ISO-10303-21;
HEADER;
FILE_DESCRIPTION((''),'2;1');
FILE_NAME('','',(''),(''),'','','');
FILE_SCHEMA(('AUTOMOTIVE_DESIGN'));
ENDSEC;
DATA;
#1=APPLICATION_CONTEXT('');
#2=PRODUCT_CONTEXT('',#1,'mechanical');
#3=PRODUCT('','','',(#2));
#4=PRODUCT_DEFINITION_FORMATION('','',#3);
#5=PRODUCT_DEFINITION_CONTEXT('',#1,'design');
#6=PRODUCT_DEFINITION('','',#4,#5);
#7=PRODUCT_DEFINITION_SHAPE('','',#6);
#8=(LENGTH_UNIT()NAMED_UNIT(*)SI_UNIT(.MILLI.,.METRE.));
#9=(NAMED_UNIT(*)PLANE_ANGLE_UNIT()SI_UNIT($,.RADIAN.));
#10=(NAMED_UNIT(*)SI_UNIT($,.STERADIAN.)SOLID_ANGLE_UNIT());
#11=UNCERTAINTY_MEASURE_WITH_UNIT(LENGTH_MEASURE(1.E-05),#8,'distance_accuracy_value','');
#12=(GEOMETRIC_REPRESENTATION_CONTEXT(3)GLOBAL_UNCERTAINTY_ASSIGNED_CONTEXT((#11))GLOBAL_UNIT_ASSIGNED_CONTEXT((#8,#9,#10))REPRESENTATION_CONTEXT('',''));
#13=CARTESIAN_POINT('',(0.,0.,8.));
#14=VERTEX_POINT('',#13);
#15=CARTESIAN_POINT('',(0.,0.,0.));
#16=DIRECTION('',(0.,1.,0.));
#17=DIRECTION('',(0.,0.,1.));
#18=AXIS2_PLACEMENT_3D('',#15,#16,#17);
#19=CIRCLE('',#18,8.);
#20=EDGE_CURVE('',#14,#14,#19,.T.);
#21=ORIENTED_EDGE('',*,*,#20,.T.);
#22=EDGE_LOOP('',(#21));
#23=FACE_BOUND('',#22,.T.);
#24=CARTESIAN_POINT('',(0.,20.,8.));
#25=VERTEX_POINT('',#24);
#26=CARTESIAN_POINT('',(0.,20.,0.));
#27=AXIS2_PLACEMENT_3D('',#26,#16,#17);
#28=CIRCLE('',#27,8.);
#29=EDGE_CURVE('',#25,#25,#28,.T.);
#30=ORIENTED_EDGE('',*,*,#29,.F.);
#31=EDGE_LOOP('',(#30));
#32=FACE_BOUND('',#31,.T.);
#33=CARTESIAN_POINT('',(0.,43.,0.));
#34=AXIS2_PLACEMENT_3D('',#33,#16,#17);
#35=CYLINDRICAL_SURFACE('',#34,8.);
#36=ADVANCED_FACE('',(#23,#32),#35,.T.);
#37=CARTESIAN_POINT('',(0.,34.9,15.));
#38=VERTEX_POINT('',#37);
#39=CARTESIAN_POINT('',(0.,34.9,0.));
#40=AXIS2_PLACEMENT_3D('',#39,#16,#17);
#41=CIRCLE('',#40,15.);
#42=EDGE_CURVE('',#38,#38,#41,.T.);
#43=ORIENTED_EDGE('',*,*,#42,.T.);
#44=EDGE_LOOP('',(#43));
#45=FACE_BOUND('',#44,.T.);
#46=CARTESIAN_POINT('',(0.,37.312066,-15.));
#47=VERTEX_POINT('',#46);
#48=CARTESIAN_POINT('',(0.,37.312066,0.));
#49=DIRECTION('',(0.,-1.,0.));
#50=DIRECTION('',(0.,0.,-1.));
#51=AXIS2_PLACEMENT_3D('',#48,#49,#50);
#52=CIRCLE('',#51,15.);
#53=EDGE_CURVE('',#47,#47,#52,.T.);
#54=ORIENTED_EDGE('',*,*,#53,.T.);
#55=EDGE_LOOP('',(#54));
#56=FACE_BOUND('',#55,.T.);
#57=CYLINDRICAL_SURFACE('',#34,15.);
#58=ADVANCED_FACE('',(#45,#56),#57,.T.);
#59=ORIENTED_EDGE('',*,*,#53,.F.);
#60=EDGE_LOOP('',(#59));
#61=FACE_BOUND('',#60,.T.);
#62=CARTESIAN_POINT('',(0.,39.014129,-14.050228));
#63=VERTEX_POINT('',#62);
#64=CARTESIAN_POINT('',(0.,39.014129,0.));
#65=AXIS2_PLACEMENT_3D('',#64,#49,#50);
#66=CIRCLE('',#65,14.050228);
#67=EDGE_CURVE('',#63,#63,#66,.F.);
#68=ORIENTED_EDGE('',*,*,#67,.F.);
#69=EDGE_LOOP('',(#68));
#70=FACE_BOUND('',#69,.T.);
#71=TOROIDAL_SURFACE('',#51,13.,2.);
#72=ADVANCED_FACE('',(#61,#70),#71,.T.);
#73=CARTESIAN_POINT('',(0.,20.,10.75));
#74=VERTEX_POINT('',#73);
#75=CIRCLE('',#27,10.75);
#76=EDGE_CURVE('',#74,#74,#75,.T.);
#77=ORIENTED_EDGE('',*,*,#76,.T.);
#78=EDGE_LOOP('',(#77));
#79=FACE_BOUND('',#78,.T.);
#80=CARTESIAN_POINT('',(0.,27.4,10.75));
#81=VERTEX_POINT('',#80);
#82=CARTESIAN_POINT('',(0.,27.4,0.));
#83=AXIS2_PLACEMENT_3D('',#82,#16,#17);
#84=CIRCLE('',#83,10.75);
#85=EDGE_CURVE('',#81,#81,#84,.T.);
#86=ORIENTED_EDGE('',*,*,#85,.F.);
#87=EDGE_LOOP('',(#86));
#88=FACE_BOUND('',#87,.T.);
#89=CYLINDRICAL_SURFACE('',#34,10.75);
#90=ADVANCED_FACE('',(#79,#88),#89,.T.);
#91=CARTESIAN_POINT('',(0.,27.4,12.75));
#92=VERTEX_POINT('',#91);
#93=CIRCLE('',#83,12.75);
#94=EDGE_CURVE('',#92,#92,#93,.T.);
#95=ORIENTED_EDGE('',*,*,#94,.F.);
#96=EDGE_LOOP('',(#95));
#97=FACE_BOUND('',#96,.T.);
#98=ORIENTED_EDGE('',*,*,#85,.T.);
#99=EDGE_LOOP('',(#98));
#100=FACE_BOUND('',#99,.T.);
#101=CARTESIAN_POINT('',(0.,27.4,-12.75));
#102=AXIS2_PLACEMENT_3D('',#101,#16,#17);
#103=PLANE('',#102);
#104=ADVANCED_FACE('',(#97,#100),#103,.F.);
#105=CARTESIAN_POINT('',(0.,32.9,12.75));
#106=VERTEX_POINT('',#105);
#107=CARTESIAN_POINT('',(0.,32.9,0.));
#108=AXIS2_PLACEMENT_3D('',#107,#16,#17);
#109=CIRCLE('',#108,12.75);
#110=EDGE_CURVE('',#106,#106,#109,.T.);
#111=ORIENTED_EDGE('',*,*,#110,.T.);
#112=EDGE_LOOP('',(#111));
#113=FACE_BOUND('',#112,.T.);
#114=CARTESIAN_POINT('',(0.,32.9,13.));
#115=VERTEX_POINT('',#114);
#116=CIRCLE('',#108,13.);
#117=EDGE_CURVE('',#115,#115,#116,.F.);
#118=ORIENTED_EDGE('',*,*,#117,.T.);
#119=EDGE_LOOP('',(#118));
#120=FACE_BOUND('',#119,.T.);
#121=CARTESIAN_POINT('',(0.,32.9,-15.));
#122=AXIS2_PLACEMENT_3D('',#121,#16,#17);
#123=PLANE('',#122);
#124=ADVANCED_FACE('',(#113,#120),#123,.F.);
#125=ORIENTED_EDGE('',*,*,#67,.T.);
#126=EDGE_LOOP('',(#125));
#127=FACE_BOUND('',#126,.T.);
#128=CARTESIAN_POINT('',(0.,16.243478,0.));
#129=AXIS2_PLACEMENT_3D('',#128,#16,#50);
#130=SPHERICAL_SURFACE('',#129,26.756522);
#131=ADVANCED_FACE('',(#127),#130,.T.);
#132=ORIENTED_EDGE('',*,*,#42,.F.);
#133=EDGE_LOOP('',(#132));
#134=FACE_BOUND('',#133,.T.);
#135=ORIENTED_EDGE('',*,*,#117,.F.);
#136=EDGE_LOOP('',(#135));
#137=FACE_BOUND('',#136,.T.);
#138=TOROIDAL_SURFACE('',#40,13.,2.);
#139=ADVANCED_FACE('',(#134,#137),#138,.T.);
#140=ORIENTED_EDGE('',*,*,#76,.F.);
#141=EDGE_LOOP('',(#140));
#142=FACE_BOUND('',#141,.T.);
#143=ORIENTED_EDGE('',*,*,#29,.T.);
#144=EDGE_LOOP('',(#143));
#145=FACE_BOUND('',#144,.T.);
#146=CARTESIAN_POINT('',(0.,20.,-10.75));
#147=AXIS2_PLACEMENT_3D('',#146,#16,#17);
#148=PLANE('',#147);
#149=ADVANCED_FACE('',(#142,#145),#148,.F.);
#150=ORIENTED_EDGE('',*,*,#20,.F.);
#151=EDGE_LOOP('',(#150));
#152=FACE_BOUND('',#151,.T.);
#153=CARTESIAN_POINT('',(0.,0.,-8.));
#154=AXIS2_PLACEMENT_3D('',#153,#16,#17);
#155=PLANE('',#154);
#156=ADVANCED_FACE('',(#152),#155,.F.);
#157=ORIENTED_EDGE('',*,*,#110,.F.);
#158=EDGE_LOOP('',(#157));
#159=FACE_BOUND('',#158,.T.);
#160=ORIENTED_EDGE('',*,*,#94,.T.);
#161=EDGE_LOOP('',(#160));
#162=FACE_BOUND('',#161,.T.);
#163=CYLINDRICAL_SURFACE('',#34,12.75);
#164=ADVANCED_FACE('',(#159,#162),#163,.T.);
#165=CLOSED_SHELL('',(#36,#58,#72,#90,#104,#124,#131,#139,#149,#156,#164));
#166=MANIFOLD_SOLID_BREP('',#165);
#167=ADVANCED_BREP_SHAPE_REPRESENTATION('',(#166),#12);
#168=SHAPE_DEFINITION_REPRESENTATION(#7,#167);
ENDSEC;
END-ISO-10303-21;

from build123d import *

# Parameters (mm, degrees)
FILLET1_R = 2


with BuildPart() as part:
    # Sketch1 → Revolve1 (revolve)
    with BuildSketch(Plane(origin=(0, 0, 0), x_dir=(0, 0, -1), z_dir=(1, 0, 0))):
        with BuildLine():
            Line((15, 38.4), (15, 32.9))
            Line((15, 32.9), (12.75, 32.9))
            Line((12.75, 32.9), (12.75, 27.4))
            Line((12.75, 27.4), (10.75, 27.4))
            Line((10.75, 27.4), (10.75, 20))
            Line((10.75, 20), (8, 20))
            Line((8, 20), (8, 0))
            Line((8, 0), (0, 0))
            Line((0, 0), (0, 43))
            ThreePointArc((0, 43), (7.844743463, 41.824163466), (15, 38.4))
        make_face()
    revolve(axis=Axis((0, 43, 0), (0, -1, 0)))

    # Fillet1
    fillet1_edges = [part.edges().sort_by_distance(p)[0] for p in [
        (0, 32.9, 15),
        (0, 38.4, 15),
    ]]
    fillet(fillet1_edges, radius=FILLET1_R)


solid = part.part
